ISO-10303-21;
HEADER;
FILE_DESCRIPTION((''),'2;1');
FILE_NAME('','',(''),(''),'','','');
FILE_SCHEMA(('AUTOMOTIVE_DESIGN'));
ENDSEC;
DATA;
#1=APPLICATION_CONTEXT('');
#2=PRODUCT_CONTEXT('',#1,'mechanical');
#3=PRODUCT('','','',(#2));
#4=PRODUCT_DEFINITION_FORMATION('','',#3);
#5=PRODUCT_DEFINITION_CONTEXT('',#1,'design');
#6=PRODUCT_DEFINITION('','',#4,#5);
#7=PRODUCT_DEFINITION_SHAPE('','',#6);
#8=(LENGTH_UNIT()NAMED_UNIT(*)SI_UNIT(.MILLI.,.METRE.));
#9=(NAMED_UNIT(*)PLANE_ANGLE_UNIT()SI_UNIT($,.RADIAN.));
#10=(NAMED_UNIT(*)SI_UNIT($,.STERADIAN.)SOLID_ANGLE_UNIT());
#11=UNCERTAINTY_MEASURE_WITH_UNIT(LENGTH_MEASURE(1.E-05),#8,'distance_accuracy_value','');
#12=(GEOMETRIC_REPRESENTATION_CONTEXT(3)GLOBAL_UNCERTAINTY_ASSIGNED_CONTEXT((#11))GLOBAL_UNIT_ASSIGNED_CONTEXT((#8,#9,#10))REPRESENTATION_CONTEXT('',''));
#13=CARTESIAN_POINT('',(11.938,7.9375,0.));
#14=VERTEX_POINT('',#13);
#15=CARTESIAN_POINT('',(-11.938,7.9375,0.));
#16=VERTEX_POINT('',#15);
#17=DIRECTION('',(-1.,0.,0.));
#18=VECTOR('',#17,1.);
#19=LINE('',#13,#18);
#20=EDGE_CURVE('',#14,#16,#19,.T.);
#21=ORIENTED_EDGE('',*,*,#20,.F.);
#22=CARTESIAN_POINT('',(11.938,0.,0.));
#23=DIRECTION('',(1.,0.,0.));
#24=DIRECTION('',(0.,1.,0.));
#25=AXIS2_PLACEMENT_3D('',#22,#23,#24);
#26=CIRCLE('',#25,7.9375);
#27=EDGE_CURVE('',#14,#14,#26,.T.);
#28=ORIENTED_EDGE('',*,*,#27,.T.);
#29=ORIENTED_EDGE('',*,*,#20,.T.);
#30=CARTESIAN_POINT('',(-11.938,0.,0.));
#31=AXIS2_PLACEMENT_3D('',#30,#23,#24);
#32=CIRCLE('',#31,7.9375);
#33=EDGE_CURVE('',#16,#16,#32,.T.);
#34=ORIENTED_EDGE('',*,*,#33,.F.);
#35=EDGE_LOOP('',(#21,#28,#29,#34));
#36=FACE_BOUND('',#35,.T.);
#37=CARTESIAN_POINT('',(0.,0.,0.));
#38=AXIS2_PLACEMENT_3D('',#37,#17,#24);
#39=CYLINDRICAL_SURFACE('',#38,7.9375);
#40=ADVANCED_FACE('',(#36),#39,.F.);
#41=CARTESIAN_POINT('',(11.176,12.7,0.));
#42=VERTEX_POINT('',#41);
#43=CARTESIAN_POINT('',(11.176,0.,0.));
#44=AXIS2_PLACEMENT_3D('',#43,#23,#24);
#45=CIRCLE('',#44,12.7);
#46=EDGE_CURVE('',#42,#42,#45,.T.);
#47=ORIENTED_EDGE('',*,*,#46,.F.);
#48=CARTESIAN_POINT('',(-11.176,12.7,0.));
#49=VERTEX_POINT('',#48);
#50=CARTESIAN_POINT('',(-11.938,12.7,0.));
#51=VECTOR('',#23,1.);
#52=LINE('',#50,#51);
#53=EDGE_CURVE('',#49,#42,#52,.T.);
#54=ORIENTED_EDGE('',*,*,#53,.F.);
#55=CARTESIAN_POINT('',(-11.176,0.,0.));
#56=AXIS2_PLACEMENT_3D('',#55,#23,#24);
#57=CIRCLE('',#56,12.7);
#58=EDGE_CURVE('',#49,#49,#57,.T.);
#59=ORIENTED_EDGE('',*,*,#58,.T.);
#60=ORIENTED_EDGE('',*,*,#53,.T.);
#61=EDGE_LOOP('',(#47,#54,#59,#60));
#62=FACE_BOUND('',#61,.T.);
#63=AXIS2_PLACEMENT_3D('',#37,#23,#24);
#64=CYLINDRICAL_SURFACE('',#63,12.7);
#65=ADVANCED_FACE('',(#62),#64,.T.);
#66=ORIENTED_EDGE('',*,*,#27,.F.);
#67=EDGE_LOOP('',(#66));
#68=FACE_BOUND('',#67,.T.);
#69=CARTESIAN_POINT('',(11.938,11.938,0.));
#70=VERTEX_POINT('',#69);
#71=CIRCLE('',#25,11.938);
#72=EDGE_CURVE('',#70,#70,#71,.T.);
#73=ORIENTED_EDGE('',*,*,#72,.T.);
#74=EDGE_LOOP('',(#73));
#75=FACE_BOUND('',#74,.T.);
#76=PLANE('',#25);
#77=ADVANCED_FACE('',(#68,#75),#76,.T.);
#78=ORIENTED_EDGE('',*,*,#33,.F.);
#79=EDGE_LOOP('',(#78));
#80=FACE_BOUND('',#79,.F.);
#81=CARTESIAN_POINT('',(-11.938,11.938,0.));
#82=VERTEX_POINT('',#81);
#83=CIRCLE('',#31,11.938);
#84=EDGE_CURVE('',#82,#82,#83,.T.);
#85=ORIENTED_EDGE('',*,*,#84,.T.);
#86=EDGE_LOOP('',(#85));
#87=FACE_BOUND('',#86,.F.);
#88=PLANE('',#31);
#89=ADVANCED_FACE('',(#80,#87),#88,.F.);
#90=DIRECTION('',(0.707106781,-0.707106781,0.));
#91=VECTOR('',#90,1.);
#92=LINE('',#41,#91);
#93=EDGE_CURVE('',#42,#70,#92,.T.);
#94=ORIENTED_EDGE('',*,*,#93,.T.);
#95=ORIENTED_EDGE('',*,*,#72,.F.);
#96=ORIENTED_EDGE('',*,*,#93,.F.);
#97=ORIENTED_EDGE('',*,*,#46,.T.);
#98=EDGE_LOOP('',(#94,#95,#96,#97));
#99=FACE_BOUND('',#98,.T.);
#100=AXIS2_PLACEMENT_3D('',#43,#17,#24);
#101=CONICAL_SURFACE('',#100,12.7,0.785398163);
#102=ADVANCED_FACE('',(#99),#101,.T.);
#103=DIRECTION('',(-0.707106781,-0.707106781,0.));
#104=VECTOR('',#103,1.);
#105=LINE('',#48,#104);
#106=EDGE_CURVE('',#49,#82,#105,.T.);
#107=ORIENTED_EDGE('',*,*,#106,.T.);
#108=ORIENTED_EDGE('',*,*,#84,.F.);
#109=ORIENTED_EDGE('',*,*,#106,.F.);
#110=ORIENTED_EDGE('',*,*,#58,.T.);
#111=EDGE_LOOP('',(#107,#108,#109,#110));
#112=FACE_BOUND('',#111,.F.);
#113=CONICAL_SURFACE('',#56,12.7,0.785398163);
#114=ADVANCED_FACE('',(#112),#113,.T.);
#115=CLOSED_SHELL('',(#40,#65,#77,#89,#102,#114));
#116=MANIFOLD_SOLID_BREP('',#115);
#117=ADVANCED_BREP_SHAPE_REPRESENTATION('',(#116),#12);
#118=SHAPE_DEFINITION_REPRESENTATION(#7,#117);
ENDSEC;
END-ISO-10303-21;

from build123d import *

# Parameters (mm, degrees)
F0_R     = 12.7
F0_R_2   = 7.9375
F1_DEPTH = 11.938
F2_SIZE  = 0.762


with BuildPart() as f1:
    # F0 (on Right) → F1 (new body, symmetric)
    with BuildSketch(Plane.YZ):
        Circle(F0_R)
        Circle(F0_R_2, mode=Mode.SUBTRACT)
    extrude(amount=F1_DEPTH, both=True)

    # F2
    f2_edges = [f1.edges().sort_by_distance(p)[0] for p in [
        (-11.938, -12.7, 0),
        (11.938, -12.7, 0),
    ]]
    chamfer(f2_edges, length=F2_SIZE)


solid = f1.part
